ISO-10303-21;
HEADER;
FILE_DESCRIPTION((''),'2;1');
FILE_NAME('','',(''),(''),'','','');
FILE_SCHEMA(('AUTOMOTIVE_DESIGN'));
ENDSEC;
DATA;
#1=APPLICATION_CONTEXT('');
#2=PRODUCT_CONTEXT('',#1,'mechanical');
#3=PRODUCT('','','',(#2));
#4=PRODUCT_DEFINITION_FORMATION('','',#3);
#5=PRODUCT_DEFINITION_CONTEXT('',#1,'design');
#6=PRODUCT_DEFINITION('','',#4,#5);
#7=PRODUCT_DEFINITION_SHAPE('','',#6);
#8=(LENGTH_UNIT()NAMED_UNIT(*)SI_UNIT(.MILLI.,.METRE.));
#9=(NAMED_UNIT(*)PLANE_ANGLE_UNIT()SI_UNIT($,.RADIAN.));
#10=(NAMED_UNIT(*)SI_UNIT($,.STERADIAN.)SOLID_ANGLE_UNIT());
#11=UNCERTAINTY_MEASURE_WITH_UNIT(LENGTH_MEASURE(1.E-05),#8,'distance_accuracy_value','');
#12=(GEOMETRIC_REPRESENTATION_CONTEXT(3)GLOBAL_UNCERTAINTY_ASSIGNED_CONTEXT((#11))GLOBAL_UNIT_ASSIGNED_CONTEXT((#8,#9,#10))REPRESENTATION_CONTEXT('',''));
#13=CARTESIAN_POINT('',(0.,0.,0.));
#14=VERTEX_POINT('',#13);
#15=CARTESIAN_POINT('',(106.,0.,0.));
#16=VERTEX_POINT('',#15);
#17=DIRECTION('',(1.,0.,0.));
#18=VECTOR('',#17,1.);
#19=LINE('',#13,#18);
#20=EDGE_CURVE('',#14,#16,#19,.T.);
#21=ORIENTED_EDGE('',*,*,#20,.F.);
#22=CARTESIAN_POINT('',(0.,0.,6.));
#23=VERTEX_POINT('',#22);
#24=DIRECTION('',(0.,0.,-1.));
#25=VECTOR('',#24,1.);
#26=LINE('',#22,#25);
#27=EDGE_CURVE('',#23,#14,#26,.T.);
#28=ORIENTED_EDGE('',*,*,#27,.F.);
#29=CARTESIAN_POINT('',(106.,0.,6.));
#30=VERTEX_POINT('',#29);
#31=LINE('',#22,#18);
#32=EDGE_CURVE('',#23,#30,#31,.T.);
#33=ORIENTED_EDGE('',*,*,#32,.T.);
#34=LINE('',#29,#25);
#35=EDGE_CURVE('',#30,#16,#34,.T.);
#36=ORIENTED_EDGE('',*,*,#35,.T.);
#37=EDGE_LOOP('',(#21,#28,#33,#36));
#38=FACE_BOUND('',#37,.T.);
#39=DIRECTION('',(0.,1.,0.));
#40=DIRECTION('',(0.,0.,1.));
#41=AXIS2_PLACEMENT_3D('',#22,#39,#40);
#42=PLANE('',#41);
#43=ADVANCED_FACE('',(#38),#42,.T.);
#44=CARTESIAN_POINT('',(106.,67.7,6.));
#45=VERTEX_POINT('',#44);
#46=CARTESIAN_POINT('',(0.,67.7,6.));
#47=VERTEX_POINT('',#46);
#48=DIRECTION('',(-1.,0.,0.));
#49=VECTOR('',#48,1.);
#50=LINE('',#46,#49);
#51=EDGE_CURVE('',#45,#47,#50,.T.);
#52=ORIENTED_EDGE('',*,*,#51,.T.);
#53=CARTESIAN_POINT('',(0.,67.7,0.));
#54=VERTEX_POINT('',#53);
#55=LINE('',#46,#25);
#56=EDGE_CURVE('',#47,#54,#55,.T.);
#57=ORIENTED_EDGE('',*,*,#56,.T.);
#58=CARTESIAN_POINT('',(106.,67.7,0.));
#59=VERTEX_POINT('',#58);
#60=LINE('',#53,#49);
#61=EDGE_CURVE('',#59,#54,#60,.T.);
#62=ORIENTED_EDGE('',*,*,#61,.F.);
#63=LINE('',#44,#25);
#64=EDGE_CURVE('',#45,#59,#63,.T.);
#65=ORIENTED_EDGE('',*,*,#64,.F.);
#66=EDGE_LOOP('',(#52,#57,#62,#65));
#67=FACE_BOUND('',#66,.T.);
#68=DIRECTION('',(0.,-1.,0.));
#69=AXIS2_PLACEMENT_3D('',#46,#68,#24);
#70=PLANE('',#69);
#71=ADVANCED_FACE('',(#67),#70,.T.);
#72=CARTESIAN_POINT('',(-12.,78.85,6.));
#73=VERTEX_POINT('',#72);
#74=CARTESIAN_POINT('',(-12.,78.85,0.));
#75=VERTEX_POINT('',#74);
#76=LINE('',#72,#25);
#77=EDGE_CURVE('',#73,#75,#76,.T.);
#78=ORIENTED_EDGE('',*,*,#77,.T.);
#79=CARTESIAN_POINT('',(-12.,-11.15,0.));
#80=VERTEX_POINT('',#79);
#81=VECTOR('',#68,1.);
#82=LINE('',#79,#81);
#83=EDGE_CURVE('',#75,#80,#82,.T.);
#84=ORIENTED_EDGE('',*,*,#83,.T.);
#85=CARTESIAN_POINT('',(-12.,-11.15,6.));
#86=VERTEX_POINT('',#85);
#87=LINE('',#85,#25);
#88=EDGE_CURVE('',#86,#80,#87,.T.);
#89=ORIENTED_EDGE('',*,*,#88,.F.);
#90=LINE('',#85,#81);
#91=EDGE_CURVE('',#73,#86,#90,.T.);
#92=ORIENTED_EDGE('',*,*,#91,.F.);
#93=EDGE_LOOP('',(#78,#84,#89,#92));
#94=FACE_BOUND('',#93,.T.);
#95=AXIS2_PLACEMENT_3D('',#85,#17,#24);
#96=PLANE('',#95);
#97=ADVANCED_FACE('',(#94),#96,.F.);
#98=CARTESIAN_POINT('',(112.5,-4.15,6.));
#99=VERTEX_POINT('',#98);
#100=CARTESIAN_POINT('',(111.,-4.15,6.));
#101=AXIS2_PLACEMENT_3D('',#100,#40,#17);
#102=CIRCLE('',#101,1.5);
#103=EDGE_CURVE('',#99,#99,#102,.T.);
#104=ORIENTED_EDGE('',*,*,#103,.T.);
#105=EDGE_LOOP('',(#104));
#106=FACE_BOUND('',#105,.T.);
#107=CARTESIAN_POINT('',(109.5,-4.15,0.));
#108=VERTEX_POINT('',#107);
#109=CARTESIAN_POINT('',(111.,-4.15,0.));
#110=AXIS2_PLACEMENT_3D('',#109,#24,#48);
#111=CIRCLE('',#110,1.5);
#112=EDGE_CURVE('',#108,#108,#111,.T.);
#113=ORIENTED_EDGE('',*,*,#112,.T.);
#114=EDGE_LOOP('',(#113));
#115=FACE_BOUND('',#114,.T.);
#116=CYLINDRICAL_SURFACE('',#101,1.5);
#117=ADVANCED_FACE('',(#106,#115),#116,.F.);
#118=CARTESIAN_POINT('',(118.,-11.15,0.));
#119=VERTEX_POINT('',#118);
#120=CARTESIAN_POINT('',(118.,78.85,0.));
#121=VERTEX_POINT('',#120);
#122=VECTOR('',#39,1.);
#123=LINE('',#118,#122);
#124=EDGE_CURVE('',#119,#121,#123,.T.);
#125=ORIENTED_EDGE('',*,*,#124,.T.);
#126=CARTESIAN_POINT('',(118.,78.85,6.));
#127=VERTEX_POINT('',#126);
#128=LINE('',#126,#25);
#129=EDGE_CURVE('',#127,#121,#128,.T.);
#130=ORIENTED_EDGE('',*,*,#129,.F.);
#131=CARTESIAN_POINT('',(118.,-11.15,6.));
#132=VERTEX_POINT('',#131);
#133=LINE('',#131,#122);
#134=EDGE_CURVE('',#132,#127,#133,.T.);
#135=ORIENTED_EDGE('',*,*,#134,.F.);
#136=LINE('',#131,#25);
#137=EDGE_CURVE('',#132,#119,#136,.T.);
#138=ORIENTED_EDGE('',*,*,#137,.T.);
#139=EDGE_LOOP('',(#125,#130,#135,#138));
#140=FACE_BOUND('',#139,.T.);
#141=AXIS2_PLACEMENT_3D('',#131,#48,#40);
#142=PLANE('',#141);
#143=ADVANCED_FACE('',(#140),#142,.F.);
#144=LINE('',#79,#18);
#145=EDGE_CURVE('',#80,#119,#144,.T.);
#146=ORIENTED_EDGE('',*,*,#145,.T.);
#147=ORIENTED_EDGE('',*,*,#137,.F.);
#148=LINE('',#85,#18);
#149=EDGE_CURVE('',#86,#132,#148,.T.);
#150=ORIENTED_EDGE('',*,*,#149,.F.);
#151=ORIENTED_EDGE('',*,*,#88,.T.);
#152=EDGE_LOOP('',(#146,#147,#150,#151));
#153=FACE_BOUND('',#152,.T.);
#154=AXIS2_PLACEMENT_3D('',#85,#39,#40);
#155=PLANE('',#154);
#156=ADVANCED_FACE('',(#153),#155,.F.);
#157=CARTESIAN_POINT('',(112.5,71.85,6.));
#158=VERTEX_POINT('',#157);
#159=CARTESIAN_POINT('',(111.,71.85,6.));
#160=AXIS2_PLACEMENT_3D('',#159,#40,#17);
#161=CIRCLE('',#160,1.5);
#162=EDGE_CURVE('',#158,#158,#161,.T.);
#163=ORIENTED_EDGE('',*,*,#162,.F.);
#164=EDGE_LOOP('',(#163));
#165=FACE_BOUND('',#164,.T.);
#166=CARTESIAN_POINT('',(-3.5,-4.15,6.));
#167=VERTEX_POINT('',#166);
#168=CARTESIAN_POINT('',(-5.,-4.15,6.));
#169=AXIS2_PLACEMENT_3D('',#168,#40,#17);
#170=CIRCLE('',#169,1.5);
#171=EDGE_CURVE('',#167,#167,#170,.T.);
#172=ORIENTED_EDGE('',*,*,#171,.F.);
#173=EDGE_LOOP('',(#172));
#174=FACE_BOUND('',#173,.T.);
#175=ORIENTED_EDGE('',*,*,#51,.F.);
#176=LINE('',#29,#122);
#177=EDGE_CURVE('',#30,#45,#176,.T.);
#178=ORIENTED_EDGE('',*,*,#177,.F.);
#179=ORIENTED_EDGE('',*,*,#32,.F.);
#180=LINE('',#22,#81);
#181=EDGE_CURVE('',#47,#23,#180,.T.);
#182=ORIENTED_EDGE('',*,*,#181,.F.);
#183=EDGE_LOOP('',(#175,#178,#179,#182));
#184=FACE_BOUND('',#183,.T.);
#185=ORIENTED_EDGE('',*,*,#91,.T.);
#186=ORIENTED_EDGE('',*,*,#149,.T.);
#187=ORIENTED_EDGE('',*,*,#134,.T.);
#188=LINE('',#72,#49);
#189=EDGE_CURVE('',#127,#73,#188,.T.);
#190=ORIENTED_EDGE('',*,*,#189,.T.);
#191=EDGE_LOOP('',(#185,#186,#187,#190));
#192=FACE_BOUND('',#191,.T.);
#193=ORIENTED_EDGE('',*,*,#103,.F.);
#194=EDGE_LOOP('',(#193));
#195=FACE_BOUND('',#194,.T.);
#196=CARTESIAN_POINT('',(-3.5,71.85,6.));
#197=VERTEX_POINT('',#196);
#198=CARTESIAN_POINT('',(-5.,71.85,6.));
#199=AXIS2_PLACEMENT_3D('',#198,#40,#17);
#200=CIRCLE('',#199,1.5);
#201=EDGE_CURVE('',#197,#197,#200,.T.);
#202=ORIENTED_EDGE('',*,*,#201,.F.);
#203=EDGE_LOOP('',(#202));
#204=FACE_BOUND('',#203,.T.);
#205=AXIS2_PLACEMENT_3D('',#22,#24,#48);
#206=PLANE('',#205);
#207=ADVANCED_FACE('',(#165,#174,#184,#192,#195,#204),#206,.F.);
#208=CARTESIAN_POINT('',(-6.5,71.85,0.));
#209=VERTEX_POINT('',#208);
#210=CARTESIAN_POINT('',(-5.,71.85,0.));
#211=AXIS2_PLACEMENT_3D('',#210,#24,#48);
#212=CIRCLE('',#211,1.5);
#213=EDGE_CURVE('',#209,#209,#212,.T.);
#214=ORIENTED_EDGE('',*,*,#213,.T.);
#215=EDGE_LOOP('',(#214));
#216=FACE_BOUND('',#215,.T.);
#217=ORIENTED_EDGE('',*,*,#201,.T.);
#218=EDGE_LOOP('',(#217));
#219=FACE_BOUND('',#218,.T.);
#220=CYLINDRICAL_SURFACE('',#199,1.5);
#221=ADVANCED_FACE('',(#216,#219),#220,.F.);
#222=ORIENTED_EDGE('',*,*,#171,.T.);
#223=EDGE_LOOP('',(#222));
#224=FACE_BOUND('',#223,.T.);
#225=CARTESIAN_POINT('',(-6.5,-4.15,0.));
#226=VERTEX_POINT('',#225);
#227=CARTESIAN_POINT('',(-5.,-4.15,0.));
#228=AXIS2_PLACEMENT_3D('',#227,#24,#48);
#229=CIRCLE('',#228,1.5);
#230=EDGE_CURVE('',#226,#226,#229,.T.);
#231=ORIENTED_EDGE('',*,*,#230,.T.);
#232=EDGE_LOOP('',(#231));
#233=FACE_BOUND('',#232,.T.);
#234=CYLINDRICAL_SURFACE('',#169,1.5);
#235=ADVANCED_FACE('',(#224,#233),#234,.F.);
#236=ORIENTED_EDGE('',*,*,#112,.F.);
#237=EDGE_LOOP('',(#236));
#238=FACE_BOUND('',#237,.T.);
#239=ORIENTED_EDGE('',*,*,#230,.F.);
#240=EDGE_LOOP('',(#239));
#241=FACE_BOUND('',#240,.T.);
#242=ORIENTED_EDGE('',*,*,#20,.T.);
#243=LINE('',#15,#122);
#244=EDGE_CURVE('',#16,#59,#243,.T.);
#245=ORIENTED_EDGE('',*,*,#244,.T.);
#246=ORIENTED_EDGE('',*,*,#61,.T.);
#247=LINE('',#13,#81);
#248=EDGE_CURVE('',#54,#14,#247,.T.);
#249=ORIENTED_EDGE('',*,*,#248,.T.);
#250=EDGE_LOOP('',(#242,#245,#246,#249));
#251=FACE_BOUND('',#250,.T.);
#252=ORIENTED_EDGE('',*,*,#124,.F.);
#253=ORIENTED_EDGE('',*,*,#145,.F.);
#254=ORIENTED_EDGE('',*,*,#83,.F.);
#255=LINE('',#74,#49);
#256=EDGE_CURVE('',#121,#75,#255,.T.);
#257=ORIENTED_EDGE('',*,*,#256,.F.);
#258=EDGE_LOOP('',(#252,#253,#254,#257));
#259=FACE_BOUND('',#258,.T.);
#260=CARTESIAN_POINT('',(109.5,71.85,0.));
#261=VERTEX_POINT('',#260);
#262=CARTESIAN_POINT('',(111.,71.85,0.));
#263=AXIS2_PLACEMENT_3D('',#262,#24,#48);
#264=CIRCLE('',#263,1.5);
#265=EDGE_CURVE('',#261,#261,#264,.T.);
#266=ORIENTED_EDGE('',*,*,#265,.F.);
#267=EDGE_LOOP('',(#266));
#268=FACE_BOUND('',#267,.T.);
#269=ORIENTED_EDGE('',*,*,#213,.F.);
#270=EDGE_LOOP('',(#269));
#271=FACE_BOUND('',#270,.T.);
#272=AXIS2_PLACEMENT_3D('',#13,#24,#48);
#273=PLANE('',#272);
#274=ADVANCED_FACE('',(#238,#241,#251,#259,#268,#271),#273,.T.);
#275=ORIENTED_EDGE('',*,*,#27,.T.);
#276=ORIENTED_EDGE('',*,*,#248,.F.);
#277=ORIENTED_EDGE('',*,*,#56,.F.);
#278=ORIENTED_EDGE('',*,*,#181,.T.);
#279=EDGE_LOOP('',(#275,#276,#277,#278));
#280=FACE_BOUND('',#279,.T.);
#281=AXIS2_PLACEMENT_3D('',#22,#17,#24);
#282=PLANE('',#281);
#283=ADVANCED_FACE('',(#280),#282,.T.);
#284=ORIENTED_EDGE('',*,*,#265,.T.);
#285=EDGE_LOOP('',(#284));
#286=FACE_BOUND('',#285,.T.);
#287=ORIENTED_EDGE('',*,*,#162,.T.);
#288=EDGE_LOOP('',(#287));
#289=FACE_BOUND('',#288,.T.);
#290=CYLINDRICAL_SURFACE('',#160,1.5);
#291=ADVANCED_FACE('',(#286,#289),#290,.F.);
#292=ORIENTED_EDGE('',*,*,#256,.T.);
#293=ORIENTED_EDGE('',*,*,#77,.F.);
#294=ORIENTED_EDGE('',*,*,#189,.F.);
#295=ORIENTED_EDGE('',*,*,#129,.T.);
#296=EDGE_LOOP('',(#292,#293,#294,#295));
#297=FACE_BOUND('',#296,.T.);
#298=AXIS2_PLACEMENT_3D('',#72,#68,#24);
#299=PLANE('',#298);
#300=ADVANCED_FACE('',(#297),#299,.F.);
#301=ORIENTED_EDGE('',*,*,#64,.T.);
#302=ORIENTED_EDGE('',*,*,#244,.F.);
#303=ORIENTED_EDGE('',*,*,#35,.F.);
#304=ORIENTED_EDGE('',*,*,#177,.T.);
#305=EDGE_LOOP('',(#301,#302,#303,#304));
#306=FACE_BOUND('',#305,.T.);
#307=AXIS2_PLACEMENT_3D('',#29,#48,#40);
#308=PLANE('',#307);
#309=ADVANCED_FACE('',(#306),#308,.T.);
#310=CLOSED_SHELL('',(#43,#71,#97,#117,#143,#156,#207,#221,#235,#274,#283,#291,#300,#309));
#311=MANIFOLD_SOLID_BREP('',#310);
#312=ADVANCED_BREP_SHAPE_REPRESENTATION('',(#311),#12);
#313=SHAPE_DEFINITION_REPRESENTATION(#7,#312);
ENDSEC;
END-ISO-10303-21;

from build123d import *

# Parameters (mm, degrees)
SKETCH1_W             = 130
SKETCH1_H             = 90
SKETCH1_W_2           = 106
SKETCH1_H_2           = 67.7
BOSS_EXTRUDE1_DEPTH   = 6
F_3_0MM_DOWEL_HOLE1_D = 3


with BuildPart() as part:
    # Sketch1 → Boss-Extrude1 (new body)
    with BuildSketch(Plane.XY):
        with Locations((53, 33.85)):
            Rectangle(SKETCH1_W, SKETCH1_H)
        with Locations((53, 33.85)):
            Rectangle(SKETCH1_W_2, SKETCH1_H_2, mode=Mode.SUBTRACT)
    extrude(amount=BOSS_EXTRUDE1_DEPTH)

    # Ø3.0mm Dowel Hole1 (through all)
    with Locations(Plane.XY.offset(6)):
        with Locations((111, 71.85), (111, -4.15), (-5, -4.15), (-5, 71.85)):
            Hole(F_3_0MM_DOWEL_HOLE1_D / 2)


solid = part.part
